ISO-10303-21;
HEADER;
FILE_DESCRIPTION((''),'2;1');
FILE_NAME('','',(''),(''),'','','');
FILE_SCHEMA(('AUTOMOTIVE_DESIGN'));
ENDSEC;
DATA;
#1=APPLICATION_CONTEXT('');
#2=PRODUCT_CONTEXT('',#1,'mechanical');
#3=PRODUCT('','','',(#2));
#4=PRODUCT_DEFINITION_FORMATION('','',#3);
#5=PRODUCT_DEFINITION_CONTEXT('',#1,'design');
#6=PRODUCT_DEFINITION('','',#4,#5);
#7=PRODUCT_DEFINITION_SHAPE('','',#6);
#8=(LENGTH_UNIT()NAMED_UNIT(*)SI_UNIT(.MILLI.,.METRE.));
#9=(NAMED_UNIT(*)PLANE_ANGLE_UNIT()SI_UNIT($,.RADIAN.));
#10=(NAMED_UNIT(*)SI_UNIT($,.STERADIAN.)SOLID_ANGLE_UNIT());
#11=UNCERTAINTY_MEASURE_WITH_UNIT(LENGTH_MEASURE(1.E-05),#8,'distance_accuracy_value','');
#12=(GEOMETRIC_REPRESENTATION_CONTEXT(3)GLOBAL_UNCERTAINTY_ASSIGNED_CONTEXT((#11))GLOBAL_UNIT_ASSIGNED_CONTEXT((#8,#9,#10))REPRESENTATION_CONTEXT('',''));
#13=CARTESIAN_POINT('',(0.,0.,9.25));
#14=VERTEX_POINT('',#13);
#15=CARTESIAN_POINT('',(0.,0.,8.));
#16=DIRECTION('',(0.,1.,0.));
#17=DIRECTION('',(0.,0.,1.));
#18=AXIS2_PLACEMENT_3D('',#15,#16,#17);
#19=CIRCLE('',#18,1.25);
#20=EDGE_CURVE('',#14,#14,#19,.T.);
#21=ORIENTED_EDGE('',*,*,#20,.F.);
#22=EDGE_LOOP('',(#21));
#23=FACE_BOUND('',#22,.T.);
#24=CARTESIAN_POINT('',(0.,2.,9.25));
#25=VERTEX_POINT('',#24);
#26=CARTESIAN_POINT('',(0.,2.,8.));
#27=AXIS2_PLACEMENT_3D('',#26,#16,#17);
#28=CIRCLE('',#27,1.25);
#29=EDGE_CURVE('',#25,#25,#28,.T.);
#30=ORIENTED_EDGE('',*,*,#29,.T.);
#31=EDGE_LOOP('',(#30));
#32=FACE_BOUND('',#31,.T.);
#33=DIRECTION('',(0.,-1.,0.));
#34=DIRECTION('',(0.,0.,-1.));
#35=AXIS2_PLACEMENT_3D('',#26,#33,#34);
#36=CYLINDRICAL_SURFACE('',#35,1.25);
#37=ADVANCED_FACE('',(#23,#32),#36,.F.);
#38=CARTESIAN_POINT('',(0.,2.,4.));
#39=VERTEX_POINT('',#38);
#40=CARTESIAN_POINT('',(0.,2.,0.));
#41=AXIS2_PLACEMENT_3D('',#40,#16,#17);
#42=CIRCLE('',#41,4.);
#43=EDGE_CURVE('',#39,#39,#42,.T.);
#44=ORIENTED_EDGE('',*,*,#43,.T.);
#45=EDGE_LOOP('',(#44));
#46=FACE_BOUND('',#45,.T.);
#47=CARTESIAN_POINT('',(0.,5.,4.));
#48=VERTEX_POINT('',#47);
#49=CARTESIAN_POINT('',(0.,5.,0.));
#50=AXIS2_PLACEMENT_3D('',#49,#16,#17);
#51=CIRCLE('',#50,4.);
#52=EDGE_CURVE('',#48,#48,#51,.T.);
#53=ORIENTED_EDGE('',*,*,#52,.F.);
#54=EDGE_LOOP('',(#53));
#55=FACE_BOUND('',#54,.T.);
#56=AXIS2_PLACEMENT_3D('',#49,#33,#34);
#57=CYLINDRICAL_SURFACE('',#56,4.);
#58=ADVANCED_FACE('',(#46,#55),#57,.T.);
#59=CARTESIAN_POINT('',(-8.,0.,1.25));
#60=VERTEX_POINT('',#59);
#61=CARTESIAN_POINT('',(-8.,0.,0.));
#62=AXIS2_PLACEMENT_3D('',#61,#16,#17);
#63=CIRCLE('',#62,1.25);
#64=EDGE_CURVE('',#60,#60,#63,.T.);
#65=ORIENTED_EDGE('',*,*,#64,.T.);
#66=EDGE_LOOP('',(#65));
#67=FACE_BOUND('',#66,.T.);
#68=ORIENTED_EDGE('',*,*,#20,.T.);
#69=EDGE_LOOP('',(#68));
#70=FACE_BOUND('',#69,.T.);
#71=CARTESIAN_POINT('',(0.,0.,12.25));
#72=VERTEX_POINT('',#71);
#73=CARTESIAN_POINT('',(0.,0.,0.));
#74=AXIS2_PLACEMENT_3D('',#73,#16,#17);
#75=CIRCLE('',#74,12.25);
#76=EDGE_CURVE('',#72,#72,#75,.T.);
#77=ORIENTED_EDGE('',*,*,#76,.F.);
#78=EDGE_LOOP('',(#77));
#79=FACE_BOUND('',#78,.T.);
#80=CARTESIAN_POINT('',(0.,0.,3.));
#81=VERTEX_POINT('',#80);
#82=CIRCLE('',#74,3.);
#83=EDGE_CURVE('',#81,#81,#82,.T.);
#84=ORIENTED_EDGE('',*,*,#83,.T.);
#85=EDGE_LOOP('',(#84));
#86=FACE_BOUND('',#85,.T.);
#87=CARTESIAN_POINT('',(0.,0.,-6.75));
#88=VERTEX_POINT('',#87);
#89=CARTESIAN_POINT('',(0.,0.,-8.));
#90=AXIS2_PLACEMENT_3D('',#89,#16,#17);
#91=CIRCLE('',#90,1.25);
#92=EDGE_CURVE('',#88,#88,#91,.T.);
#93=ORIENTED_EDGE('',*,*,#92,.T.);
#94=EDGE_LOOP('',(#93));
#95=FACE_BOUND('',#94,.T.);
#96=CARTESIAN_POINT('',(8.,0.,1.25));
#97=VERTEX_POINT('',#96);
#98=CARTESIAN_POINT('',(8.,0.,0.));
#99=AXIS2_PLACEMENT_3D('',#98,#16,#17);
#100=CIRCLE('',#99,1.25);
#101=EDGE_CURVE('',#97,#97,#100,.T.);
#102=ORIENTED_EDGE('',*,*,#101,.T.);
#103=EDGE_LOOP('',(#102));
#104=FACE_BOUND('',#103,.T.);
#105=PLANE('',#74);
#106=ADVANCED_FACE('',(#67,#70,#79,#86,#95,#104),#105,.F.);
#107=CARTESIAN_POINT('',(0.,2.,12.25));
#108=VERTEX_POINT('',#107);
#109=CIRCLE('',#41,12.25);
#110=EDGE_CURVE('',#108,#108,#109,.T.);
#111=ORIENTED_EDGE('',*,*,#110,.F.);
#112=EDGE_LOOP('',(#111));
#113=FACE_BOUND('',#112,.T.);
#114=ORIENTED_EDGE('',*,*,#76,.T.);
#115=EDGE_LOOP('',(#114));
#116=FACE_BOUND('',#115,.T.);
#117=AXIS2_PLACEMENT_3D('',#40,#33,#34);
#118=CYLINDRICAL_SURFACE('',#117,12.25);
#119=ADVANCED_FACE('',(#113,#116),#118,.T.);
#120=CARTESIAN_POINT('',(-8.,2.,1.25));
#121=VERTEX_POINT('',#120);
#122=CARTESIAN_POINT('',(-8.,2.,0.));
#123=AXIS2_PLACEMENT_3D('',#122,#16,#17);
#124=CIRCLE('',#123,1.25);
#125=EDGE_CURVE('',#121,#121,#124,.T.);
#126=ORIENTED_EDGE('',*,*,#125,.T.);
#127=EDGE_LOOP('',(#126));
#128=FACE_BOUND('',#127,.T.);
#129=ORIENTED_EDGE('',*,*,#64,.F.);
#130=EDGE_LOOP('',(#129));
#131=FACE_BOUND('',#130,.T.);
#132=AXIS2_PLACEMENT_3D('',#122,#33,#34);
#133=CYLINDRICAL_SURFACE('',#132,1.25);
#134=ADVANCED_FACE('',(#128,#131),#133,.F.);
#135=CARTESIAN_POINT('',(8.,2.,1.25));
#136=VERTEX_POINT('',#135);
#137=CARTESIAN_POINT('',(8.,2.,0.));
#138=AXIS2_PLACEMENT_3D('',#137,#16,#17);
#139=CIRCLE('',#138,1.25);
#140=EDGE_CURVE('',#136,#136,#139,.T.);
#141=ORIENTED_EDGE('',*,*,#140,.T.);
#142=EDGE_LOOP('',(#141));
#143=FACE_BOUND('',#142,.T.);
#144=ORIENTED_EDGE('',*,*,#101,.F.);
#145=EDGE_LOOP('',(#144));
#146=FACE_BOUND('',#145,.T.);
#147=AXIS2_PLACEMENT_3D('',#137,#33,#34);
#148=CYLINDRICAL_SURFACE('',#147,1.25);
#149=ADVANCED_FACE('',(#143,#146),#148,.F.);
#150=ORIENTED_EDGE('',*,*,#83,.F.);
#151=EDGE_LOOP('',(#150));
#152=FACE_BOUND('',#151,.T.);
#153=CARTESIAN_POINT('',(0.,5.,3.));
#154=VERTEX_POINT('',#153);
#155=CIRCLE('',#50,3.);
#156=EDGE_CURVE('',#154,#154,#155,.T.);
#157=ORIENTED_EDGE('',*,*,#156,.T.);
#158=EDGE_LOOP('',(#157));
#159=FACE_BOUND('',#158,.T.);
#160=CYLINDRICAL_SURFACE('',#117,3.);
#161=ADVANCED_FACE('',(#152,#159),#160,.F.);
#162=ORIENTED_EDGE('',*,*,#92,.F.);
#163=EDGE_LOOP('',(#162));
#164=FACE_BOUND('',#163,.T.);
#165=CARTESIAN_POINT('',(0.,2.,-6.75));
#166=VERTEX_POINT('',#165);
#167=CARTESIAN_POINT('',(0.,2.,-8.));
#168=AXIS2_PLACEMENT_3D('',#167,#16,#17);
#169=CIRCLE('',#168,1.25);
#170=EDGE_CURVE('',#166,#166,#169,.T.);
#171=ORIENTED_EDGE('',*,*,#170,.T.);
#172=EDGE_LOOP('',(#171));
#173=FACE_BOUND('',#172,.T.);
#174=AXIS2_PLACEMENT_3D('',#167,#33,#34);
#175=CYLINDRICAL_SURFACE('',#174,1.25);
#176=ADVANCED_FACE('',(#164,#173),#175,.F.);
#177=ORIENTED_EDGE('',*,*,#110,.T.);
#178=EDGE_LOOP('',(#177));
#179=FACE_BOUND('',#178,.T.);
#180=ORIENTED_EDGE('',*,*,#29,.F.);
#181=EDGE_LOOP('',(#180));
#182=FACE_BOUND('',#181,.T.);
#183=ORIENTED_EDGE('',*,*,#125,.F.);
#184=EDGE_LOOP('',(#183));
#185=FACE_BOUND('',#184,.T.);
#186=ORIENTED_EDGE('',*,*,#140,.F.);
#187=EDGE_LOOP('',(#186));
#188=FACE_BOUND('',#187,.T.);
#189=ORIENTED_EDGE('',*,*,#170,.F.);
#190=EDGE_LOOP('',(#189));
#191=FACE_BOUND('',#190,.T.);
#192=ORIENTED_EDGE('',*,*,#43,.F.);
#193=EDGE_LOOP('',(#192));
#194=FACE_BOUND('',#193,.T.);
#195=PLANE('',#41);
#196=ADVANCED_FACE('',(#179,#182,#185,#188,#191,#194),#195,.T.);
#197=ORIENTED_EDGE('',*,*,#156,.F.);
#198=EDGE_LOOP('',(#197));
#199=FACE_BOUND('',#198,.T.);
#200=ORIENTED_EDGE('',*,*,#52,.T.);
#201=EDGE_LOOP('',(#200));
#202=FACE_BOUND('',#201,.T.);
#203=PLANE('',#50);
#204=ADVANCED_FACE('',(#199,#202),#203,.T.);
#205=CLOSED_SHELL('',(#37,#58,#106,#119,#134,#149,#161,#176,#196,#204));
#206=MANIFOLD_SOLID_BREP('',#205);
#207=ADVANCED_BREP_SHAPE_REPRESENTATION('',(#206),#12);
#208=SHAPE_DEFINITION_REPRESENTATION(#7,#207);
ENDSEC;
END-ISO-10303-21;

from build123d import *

# Parameters (mm, degrees)
SKETCH_1_R      = 12.25
SKETCH_1_R_2    = 3
SKETCH_1_R_3    = 1.25
EXTRUDE_1_DEPTH = 2
SKETCH_2_R      = 4
SKETCH_2_R_2    = 3
EXTRUDE_2_DEPTH = 3


with BuildPart() as part:
    # 草图1 → 凸台-拉伸1 (new body)
    with BuildSketch(Plane(origin=(0, 0, 0), x_dir=(1, 0, 0), z_dir=(0, 1, 0))):
        Circle(SKETCH_1_R)
        Circle(SKETCH_1_R_2, mode=Mode.SUBTRACT)
        with Locations((8, 0)):
            Circle(SKETCH_1_R_3, mode=Mode.SUBTRACT)
        with Locations((0, -8)):
            Circle(SKETCH_1_R_3, mode=Mode.SUBTRACT)
        with Locations((-8, 0)):
            Circle(SKETCH_1_R_3, mode=Mode.SUBTRACT)
        with Locations((0, 8)):
            Circle(SKETCH_1_R_3, mode=Mode.SUBTRACT)
    extrude(amount=EXTRUDE_1_DEPTH)

    # 草图2 → 凸台-拉伸2 (add)
    with BuildSketch(Plane(origin=(0, 2, 0), x_dir=(1, 0, 0), z_dir=(0, 1, 0))):
        Circle(SKETCH_2_R)
        Circle(SKETCH_2_R_2, mode=Mode.SUBTRACT)
    extrude(amount=EXTRUDE_2_DEPTH)


solid = part.part
